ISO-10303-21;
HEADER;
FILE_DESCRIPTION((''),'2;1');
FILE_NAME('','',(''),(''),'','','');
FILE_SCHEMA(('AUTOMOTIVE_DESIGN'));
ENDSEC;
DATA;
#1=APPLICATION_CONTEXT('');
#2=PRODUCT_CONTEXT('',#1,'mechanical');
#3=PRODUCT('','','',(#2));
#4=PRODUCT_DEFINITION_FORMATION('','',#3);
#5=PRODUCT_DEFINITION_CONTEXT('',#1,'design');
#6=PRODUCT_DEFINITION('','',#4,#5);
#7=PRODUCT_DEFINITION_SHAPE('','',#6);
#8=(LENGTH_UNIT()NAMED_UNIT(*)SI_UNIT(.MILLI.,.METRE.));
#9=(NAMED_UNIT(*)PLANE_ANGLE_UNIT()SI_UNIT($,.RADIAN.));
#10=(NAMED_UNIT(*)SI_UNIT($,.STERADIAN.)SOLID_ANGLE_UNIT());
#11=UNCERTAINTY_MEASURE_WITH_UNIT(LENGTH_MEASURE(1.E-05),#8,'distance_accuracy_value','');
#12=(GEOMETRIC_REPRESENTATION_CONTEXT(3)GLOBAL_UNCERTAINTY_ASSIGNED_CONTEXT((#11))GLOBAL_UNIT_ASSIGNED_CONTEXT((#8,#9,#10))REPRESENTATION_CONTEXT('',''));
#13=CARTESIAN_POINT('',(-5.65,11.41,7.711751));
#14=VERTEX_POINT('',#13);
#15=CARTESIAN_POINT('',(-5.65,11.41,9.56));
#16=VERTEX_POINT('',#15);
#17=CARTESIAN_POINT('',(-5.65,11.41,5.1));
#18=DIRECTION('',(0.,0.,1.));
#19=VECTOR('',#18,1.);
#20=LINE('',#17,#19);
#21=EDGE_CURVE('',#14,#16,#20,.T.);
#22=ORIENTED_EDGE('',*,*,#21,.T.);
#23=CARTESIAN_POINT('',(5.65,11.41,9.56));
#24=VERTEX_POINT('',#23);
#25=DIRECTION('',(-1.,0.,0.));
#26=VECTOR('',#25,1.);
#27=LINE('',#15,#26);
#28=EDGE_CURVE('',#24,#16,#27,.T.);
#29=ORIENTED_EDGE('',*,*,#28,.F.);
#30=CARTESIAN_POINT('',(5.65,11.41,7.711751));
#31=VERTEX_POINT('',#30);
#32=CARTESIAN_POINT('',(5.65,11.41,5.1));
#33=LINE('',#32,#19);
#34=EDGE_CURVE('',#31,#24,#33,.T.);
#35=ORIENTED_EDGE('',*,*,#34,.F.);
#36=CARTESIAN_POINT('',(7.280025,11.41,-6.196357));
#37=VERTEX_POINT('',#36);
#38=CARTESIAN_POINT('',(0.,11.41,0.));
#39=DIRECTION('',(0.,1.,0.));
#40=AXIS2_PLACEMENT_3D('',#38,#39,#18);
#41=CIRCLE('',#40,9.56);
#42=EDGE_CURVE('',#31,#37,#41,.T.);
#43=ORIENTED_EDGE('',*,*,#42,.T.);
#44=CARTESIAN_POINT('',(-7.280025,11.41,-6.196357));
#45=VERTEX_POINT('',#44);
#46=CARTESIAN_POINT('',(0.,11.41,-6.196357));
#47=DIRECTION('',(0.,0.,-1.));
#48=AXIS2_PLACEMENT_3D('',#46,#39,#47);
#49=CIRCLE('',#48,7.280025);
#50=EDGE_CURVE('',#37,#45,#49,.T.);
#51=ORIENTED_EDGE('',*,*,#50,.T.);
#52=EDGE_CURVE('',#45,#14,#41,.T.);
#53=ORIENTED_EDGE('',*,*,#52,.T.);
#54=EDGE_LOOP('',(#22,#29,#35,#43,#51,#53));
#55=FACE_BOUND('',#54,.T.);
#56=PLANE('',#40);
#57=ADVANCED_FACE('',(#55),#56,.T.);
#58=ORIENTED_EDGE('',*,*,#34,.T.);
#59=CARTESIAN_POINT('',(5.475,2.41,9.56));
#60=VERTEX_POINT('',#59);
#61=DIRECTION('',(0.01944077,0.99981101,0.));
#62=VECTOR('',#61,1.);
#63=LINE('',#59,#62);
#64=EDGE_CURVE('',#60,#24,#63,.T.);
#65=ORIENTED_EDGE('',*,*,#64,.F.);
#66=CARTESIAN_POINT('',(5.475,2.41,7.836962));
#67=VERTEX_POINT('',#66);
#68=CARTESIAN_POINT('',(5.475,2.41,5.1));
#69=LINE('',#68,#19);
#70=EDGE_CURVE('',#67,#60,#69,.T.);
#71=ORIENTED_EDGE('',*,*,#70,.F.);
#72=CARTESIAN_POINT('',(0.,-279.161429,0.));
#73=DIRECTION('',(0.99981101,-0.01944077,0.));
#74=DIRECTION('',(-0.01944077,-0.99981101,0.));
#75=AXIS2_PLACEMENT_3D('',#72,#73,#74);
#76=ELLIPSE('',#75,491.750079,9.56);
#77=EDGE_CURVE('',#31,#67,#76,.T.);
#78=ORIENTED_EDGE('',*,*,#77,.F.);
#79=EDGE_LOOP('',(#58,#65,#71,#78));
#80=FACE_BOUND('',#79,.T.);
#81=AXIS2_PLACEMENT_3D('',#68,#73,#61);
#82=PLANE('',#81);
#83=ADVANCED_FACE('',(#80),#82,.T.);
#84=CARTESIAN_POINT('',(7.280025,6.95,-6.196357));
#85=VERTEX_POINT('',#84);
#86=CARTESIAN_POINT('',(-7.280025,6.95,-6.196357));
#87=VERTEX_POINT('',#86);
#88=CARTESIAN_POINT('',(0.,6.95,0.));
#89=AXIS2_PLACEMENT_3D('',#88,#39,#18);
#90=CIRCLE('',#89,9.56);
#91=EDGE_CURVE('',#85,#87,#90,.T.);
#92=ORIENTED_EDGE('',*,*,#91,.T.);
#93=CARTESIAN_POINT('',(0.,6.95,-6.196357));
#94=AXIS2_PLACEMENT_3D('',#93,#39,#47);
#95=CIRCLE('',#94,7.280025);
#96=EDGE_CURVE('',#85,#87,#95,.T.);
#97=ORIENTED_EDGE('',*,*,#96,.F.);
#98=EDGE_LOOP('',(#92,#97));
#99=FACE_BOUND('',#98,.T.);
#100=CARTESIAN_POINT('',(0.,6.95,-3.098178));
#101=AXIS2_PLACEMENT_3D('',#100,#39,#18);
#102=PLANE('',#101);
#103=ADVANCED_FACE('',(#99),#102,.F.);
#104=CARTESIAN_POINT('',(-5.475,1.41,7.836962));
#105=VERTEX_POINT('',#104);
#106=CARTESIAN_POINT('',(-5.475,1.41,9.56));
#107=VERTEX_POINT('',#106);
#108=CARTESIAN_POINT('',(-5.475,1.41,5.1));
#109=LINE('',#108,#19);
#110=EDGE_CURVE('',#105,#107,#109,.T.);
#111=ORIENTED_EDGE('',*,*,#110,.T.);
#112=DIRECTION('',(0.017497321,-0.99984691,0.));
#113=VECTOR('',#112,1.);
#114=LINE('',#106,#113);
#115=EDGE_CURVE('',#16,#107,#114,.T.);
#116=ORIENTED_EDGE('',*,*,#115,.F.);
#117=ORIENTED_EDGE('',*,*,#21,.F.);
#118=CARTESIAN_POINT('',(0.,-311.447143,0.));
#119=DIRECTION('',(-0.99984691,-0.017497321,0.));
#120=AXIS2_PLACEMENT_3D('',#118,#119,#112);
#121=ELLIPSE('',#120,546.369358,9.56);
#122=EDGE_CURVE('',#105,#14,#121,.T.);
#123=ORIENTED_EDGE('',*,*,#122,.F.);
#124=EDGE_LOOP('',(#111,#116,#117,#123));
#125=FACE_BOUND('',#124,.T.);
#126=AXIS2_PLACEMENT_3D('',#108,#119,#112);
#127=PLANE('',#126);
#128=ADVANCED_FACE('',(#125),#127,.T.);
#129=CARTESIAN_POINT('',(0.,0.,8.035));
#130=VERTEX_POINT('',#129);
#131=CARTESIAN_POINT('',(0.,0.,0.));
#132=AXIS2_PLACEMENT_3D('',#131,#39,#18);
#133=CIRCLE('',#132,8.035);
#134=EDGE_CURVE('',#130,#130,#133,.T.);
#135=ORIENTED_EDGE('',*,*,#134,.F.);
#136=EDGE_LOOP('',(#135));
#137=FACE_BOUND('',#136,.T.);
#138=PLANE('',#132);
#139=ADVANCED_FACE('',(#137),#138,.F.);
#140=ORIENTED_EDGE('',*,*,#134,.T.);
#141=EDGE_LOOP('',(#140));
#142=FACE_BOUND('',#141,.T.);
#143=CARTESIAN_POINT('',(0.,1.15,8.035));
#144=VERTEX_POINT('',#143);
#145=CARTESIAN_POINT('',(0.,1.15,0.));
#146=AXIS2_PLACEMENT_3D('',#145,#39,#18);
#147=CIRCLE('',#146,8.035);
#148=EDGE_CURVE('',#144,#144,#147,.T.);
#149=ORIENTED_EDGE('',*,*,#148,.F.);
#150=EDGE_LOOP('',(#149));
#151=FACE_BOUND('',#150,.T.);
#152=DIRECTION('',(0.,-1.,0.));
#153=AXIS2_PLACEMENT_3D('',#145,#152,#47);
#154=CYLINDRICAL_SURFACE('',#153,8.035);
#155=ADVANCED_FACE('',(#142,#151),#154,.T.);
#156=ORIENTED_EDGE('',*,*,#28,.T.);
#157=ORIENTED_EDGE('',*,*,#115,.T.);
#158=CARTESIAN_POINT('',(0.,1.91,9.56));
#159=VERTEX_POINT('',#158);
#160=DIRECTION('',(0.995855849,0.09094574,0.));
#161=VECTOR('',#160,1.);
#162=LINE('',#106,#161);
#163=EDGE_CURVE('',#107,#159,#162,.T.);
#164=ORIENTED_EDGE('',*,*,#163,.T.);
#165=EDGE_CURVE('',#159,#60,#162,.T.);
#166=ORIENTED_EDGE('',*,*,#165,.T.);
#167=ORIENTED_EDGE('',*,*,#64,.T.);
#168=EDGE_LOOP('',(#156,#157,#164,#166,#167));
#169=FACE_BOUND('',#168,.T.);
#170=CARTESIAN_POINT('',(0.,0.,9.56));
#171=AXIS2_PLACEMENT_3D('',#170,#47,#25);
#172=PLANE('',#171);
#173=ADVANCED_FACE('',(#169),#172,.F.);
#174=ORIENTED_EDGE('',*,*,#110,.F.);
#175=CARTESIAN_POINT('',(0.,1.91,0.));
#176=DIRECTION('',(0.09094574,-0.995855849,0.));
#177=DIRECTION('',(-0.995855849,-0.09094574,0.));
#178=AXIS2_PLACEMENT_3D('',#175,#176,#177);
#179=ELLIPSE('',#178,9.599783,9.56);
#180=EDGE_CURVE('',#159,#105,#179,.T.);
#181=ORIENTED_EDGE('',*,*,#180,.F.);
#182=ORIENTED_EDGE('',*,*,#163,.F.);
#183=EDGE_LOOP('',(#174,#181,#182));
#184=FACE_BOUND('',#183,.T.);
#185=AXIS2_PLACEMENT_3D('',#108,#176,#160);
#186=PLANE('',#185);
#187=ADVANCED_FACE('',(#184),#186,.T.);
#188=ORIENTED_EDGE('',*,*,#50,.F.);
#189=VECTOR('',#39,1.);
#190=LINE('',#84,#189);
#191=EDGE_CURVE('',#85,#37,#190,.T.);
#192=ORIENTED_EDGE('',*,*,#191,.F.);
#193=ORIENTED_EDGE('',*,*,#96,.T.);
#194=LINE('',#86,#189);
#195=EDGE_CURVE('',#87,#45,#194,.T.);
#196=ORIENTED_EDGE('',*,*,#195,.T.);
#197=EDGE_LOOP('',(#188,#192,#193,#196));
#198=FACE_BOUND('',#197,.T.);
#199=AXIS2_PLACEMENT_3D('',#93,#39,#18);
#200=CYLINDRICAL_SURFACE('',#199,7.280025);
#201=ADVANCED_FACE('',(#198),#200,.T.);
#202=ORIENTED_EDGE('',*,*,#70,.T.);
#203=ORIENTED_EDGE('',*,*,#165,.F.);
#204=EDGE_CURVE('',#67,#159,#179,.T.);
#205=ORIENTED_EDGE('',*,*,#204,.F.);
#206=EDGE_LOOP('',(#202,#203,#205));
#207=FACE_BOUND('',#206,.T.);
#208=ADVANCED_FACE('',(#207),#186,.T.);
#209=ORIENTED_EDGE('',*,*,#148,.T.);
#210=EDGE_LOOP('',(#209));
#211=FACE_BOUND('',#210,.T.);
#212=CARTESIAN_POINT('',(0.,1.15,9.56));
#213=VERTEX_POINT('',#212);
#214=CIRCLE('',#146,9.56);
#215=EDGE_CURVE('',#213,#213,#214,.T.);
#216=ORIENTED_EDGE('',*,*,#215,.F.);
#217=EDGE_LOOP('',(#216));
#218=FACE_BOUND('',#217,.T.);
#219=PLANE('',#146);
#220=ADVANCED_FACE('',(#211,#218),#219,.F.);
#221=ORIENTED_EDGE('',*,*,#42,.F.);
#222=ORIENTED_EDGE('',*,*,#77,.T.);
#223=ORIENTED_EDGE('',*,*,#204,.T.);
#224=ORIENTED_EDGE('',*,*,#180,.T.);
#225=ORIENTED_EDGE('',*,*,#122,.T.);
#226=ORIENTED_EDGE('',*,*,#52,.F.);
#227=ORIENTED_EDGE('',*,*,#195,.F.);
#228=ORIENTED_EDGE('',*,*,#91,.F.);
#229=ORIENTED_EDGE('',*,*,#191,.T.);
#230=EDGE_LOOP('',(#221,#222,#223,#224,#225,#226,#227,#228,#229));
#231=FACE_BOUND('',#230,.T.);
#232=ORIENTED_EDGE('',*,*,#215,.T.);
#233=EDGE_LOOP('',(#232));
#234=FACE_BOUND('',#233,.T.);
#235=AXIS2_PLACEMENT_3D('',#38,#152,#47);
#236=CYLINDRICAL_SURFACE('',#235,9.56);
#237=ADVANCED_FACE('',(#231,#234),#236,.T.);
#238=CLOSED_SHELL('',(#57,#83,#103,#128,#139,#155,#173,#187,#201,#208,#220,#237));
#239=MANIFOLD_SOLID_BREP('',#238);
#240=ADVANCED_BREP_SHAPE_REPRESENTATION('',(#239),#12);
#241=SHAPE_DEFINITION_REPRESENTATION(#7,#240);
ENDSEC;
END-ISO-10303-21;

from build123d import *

# Parameters (mm, degrees)
CROQUIS1_R              = 8.035
SALIENTE_EXTRUIR1_DEPTH = 1.15
CROQUIS2_R              = 9.56
SALIENTE_EXTRUIR2_DEPTH = 10.26
SALIENTE_EXTRUIR3_START = -4.46
SALIENTE_EXTRUIR3_DEPTH = 4.46
SALIENTE_EXTRUIR4_DEPTH = 4.46


with BuildPart() as part:
    # Croquis1 → Saliente-Extruir1 (new body)
    with BuildSketch(Plane(origin=(0, 0, 0), x_dir=(1, 0, 0), z_dir=(0, 1, 0))):
        with Locations(Location((0, 0, 0), (0, 0, 270))):
            Circle(CROQUIS1_R)
    extrude(amount=SALIENTE_EXTRUIR1_DEPTH)

    # Croquis2 → Saliente-Extruir2 (add)
    with BuildSketch(Plane(origin=(0, 1.15, 0), x_dir=(1, 0, 0), z_dir=(0, 1, 0))):
        with Locations(Location((0, 0, 0), (0, 0, 270))):
            Circle(CROQUIS2_R)
    extrude(amount=SALIENTE_EXTRUIR2_DEPTH)

    # Croquis3 → Saliente-Extruir3 (add)
    with BuildSketch(Plane(origin=(0, 11.41, 0), x_dir=(1, 0, 0), z_dir=(0, 1, 0)).offset(SALIENTE_EXTRUIR3_START)):
        with BuildLine():
            ThreePointArc((-7.280024761, 6.196356953), (0, 13.476381713), (7.280024761, 6.196356953))
            ThreePointArc((7.280024761, 6.196356953), (0, -9.56), (-7.280024761, 6.196356953))
        make_face()
    extrude(amount=SALIENTE_EXTRUIR3_DEPTH)

    # Croquis6 → Saliente-Extruir4 (add)
    with BuildSketch(Plane.XY.offset(9.56)):
        Polygon((-5.475, 1.41), (5.475, 2.41), (5.65, 11.41), (-5.65, 11.41), align=None)
    extrude(amount=-SALIENTE_EXTRUIR4_DEPTH)


solid = part.part
